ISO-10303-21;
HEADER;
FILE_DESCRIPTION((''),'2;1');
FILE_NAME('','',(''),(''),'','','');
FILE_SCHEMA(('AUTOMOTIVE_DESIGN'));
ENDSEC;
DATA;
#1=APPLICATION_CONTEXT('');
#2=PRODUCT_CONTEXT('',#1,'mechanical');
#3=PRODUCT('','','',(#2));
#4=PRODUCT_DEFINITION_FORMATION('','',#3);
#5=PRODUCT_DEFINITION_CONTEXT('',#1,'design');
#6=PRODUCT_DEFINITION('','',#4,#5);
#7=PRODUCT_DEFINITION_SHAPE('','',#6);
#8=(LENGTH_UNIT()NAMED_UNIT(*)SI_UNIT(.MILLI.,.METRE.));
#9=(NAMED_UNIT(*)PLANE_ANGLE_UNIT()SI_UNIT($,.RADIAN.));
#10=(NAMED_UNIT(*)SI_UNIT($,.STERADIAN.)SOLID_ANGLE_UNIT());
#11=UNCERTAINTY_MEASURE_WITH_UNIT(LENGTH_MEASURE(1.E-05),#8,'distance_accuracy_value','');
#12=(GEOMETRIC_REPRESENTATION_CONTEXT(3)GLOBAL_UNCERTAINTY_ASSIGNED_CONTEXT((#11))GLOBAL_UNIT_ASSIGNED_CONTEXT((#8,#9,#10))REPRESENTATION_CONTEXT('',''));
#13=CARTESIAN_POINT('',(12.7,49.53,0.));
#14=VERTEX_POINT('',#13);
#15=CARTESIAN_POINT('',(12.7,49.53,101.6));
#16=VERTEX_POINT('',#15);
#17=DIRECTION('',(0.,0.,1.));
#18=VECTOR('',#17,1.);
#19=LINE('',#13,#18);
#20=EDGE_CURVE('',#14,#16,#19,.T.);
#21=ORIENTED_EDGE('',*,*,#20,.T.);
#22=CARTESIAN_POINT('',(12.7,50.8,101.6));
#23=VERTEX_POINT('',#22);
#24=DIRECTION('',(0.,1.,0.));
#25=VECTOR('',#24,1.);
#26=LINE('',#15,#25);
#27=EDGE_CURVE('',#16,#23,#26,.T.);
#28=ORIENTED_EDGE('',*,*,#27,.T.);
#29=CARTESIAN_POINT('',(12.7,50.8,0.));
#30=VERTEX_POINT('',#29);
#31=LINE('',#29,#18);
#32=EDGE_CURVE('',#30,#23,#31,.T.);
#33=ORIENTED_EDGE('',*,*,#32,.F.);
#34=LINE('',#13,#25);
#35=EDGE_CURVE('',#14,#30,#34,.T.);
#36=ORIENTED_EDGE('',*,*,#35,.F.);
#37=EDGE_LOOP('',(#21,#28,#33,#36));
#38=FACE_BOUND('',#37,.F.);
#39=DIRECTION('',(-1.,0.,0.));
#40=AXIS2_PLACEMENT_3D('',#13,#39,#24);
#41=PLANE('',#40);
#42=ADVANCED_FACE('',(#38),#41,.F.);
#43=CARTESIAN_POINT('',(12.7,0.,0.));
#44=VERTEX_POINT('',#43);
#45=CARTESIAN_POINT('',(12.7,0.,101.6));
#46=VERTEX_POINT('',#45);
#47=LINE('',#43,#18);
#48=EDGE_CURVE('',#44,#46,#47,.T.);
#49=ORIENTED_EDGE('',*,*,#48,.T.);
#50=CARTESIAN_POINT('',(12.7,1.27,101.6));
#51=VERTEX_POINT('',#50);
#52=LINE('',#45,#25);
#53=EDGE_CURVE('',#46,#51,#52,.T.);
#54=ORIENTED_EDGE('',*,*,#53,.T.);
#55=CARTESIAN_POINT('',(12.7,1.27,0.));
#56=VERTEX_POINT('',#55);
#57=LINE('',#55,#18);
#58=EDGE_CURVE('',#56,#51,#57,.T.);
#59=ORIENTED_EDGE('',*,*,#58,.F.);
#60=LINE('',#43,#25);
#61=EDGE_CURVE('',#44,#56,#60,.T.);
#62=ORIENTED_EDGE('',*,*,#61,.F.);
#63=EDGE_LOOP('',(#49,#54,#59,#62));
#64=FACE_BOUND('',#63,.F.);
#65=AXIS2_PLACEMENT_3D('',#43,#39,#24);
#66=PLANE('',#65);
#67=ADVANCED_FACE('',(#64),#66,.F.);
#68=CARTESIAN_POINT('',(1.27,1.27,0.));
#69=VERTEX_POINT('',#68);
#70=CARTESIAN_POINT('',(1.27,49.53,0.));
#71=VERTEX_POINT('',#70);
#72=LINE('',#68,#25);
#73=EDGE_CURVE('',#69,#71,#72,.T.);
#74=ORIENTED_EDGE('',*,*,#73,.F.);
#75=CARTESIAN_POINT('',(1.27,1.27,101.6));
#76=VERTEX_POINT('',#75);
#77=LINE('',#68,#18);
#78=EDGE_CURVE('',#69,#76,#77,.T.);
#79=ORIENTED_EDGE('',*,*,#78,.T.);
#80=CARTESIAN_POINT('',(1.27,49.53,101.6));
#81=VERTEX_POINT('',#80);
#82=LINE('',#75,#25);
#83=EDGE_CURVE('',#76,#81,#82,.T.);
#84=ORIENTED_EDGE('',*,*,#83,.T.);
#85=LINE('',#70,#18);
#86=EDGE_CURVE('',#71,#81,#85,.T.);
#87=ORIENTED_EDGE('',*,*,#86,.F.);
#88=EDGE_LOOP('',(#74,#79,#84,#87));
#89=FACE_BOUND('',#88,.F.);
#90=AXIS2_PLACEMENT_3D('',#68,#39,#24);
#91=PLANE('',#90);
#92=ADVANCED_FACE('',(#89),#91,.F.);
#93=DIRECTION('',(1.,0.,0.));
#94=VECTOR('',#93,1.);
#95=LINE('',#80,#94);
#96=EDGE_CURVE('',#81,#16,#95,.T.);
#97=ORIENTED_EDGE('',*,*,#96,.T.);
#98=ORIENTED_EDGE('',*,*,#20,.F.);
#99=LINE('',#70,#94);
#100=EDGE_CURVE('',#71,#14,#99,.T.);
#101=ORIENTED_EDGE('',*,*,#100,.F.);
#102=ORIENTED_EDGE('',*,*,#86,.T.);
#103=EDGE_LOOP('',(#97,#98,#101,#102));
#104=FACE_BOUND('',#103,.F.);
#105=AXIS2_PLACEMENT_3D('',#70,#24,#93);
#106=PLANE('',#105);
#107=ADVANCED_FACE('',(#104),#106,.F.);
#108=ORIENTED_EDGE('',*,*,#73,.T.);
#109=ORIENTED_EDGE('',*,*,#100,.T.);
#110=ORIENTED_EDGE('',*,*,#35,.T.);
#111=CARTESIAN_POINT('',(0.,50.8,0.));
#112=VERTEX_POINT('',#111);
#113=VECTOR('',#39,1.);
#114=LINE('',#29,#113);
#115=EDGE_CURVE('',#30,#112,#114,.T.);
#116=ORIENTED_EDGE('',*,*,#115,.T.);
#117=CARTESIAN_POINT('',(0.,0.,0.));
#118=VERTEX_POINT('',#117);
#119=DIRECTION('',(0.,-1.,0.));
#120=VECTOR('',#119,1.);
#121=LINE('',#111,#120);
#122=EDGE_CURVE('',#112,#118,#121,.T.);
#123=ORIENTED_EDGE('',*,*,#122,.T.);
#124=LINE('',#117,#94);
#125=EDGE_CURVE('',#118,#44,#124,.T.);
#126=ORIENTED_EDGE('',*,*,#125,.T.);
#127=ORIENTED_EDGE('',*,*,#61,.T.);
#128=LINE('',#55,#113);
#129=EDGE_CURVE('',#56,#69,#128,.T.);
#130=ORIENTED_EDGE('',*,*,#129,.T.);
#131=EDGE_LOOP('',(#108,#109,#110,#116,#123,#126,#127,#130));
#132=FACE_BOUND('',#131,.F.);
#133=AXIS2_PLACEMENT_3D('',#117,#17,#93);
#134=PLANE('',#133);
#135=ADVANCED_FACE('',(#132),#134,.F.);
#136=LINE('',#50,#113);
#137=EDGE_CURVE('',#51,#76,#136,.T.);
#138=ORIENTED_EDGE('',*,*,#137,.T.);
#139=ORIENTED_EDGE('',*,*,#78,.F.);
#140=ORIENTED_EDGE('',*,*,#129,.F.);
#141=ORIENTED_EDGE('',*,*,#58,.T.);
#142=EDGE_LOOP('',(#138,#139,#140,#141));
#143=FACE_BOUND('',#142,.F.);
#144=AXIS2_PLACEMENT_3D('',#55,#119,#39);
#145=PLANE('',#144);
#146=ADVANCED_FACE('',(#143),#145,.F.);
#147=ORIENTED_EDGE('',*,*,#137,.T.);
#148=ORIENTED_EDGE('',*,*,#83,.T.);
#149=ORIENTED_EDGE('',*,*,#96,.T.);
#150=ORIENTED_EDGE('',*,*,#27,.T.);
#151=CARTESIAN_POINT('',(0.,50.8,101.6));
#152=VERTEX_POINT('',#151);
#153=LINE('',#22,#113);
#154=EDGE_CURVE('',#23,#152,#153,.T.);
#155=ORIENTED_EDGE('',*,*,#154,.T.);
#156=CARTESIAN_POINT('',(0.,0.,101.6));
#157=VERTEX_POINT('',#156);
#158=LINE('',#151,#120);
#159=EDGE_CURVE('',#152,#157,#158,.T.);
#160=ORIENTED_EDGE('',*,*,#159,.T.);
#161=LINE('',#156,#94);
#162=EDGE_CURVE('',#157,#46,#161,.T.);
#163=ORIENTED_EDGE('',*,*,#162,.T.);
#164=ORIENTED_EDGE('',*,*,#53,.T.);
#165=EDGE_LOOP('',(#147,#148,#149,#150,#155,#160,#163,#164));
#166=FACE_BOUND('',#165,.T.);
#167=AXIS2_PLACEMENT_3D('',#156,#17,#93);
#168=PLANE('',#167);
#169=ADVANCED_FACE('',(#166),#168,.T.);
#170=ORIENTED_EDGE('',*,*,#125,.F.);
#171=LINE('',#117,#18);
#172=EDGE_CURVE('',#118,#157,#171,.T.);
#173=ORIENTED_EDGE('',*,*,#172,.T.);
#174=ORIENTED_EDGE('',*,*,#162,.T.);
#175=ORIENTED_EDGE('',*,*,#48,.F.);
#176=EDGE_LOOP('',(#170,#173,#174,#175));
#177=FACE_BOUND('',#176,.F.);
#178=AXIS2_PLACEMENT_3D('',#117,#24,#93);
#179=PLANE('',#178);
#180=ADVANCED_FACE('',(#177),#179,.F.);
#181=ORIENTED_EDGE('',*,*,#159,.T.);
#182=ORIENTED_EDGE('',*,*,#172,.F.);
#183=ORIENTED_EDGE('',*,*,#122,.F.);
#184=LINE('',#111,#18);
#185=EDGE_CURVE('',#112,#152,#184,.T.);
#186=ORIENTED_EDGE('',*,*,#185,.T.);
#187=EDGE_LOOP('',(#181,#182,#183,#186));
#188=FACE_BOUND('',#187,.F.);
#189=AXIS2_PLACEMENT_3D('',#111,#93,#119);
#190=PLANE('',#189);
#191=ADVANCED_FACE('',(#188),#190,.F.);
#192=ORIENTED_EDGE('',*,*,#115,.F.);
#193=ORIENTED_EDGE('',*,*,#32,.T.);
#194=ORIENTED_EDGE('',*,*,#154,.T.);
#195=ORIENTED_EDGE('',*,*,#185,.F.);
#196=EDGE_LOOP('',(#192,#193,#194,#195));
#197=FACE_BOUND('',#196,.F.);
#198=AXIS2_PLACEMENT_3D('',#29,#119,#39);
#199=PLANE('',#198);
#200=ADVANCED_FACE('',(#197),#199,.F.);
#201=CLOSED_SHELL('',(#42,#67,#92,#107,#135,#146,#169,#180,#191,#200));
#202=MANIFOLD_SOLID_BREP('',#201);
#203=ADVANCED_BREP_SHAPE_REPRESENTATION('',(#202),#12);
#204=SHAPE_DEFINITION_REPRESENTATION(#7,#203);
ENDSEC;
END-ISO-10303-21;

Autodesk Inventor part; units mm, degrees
ref_plane "YZ Plane" through (0, 0, 0) normal (1, 0, 0) x (0, 1, 0)
ref_plane "XZ Plane" through (0, 0, 0) normal (0, 1, 0) x (-1, 0, 0)
ref_plane "XY Plane" through (0, 0, 0) normal (0, 0, 1) x (1, 0, 0)
sketch "Sketch1" plane through (0, 0, 0) normal (0, 0, 1) x (1, 0, 0)
  line L0 (0, 0) -> (12.7, 0)
  line L1 (12.7, 50.8) -> (0, 50.8)
  line L2 (0, 50.8) -> (0, 0)
  line L3 (12.7, 1.27) -> (1.27, 1.27)
  line L4 (1.27, 1.27) -> (1.27, 49.53)
  line L5 (1.27, 49.53) -> (12.7, 49.53)
  line L6 (12.7, 0) -> (12.7, 1.27)
  line L7 (12.7, 49.53) -> (12.7, 50.8)
  dimension "d0" = 12.7
  dimension "d1" = 50.8
  dimension "d2" = 11.43
  dimension "d3" = 48.26
extrude "Extrusion1" add sketch "Sketch1" along normal blind 101.6
equation "\"d4\" = u1"
equation "\"u1\" = 101.6"
properties part number "VerseFrameCChannel 4in"
